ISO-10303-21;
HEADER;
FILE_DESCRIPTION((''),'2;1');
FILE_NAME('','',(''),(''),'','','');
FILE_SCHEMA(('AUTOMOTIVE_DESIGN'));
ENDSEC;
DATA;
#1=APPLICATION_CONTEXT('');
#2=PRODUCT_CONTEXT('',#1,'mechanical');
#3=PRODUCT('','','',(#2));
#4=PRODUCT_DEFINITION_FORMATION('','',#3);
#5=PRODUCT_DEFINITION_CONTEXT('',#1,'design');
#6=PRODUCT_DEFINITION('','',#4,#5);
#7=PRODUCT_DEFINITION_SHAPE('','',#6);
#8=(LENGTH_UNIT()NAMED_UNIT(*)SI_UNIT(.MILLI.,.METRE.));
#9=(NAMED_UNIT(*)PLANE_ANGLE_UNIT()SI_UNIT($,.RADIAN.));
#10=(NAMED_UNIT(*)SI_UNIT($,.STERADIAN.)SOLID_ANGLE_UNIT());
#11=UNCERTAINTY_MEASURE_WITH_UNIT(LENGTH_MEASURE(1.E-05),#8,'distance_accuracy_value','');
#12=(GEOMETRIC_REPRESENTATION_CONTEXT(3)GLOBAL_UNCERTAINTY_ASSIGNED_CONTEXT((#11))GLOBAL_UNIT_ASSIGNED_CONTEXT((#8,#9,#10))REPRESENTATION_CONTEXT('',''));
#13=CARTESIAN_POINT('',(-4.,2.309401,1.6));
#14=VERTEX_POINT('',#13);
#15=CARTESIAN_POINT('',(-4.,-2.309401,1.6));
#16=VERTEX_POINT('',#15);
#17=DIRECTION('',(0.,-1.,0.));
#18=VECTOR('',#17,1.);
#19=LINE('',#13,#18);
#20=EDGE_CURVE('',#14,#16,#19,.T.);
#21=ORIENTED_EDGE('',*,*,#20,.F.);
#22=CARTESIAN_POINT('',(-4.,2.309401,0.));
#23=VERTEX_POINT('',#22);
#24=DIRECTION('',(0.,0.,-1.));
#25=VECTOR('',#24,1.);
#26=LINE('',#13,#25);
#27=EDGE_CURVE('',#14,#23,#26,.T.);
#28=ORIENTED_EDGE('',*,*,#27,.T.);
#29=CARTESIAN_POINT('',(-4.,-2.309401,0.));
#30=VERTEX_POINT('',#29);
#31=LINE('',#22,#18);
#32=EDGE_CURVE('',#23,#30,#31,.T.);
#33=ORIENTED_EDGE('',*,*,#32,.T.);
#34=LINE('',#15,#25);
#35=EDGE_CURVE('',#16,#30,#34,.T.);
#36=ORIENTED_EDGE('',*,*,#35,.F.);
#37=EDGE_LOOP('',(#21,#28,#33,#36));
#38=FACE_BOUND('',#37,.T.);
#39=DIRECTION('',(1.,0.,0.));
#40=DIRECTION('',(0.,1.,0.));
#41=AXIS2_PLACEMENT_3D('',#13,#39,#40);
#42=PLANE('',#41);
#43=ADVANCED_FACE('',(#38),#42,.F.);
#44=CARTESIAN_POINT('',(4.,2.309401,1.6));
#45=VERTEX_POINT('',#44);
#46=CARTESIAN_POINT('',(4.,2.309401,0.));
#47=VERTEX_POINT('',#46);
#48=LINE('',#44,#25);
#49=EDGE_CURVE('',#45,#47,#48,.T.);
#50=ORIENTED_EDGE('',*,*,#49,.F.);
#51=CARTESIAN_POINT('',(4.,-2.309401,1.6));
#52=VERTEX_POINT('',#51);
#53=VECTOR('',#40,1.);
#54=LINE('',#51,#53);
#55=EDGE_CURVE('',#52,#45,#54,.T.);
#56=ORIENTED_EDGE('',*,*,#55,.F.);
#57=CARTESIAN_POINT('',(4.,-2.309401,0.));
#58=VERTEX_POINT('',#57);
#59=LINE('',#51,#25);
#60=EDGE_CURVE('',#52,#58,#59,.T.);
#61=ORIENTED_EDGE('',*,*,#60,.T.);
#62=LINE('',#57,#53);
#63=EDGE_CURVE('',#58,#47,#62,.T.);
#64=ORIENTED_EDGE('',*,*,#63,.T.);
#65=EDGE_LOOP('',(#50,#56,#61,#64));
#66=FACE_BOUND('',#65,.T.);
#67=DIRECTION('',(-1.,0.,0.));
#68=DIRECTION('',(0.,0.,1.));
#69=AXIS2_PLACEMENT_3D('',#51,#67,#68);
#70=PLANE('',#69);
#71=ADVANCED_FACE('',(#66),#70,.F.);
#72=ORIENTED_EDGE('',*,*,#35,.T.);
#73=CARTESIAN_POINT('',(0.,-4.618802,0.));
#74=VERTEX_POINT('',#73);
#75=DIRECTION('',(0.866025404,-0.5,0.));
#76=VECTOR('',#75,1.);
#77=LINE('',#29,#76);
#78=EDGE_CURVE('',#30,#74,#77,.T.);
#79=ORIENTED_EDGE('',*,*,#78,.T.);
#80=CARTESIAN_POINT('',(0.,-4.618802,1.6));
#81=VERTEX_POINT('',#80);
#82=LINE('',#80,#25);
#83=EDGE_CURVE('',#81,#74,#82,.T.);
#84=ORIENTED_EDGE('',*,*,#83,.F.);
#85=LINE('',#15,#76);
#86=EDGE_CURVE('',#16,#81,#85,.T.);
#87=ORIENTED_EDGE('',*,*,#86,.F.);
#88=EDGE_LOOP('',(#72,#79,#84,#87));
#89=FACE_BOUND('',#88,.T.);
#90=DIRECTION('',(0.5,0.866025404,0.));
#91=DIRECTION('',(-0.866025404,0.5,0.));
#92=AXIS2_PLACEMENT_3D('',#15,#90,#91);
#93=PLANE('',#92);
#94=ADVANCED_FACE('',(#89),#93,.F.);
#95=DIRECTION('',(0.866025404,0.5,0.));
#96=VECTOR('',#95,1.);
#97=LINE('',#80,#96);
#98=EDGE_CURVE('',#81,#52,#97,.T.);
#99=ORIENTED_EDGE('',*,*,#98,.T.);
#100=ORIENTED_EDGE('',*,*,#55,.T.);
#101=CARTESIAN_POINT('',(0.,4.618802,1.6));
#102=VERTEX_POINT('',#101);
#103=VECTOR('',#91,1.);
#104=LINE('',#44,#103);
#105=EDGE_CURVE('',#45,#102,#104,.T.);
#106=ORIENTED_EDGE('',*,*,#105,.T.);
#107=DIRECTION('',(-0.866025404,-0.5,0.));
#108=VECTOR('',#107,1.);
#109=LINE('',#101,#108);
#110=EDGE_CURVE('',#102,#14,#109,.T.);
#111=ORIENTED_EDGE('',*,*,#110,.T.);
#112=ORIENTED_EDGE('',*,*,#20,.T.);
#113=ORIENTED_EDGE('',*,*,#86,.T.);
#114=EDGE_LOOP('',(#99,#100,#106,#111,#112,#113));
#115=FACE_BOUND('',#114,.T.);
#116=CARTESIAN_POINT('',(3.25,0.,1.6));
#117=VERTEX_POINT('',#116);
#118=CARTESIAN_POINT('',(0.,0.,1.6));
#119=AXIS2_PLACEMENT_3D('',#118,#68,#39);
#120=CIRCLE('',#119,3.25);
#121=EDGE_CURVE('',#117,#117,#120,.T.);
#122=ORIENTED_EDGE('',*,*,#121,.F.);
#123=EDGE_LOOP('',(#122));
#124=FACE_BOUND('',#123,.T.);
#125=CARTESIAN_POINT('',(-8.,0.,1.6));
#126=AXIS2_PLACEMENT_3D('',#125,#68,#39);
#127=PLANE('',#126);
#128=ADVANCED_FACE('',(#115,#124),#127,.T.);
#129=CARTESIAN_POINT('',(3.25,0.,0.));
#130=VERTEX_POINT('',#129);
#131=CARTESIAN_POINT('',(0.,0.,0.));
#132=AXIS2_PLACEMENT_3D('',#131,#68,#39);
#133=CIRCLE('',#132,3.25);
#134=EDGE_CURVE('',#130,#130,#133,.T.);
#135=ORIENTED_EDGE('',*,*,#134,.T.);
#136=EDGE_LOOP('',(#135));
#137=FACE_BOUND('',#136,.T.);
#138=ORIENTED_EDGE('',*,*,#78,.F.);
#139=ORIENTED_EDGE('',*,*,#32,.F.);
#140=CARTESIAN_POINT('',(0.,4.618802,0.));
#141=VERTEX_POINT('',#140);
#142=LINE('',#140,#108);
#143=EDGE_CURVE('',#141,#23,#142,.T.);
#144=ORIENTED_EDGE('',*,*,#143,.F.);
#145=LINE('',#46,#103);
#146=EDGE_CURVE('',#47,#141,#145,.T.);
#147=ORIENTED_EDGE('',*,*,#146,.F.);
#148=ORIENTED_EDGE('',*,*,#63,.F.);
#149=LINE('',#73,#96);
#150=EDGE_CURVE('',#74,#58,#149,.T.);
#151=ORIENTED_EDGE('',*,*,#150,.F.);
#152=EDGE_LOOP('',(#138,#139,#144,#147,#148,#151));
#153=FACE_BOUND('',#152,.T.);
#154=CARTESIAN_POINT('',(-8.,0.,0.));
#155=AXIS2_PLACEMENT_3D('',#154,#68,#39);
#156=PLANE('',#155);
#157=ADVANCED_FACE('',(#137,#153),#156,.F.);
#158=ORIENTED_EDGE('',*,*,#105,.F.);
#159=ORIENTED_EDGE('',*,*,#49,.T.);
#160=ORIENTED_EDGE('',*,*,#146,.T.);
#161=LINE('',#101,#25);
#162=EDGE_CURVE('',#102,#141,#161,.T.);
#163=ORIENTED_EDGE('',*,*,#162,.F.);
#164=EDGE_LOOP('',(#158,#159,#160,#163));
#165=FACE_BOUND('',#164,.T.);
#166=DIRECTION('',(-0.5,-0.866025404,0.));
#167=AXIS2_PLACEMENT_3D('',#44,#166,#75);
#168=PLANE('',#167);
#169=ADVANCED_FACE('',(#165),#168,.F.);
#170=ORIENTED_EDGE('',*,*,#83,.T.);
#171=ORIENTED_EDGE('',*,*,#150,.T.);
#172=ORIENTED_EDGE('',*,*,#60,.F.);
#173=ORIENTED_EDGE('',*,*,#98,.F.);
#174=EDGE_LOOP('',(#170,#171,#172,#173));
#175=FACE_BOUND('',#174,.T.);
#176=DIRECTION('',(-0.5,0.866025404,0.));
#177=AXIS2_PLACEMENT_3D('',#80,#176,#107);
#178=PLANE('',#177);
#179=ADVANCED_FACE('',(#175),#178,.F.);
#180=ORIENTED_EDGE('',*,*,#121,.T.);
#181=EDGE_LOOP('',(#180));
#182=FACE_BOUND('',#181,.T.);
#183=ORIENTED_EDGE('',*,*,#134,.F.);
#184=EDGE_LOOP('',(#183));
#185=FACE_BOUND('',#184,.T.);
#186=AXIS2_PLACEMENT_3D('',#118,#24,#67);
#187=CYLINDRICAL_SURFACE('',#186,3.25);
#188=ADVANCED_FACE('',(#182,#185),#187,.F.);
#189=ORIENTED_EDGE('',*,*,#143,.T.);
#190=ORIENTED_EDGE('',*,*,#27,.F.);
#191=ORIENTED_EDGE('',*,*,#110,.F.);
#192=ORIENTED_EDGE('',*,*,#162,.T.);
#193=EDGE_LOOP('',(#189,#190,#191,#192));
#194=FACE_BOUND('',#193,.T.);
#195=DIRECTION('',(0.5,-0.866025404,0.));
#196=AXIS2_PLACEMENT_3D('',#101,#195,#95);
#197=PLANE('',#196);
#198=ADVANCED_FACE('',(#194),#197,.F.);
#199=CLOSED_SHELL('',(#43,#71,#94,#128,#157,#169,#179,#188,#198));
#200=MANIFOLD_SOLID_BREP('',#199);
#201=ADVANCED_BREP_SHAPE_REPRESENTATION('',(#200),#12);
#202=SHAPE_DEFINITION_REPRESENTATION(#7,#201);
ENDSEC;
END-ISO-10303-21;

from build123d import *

# Parameters (mm, degrees)
SKETCH_1_R      = 3.25
EXTRUDE_1_DEPTH = 1.6


with BuildPart() as part:
    # Эскиз1 → Вытянуть1 (new body)
    with BuildSketch(Plane.XY):
        Polygon((-4, 2.309401077), (-4, -2.309401077), (0, -4.618802154), (4, -2.309401077), (4, 2.309401077), (0, 4.618802154), align=None)
        Circle(SKETCH_1_R, mode=Mode.SUBTRACT)
    extrude(amount=EXTRUDE_1_DEPTH)


solid = part.part
